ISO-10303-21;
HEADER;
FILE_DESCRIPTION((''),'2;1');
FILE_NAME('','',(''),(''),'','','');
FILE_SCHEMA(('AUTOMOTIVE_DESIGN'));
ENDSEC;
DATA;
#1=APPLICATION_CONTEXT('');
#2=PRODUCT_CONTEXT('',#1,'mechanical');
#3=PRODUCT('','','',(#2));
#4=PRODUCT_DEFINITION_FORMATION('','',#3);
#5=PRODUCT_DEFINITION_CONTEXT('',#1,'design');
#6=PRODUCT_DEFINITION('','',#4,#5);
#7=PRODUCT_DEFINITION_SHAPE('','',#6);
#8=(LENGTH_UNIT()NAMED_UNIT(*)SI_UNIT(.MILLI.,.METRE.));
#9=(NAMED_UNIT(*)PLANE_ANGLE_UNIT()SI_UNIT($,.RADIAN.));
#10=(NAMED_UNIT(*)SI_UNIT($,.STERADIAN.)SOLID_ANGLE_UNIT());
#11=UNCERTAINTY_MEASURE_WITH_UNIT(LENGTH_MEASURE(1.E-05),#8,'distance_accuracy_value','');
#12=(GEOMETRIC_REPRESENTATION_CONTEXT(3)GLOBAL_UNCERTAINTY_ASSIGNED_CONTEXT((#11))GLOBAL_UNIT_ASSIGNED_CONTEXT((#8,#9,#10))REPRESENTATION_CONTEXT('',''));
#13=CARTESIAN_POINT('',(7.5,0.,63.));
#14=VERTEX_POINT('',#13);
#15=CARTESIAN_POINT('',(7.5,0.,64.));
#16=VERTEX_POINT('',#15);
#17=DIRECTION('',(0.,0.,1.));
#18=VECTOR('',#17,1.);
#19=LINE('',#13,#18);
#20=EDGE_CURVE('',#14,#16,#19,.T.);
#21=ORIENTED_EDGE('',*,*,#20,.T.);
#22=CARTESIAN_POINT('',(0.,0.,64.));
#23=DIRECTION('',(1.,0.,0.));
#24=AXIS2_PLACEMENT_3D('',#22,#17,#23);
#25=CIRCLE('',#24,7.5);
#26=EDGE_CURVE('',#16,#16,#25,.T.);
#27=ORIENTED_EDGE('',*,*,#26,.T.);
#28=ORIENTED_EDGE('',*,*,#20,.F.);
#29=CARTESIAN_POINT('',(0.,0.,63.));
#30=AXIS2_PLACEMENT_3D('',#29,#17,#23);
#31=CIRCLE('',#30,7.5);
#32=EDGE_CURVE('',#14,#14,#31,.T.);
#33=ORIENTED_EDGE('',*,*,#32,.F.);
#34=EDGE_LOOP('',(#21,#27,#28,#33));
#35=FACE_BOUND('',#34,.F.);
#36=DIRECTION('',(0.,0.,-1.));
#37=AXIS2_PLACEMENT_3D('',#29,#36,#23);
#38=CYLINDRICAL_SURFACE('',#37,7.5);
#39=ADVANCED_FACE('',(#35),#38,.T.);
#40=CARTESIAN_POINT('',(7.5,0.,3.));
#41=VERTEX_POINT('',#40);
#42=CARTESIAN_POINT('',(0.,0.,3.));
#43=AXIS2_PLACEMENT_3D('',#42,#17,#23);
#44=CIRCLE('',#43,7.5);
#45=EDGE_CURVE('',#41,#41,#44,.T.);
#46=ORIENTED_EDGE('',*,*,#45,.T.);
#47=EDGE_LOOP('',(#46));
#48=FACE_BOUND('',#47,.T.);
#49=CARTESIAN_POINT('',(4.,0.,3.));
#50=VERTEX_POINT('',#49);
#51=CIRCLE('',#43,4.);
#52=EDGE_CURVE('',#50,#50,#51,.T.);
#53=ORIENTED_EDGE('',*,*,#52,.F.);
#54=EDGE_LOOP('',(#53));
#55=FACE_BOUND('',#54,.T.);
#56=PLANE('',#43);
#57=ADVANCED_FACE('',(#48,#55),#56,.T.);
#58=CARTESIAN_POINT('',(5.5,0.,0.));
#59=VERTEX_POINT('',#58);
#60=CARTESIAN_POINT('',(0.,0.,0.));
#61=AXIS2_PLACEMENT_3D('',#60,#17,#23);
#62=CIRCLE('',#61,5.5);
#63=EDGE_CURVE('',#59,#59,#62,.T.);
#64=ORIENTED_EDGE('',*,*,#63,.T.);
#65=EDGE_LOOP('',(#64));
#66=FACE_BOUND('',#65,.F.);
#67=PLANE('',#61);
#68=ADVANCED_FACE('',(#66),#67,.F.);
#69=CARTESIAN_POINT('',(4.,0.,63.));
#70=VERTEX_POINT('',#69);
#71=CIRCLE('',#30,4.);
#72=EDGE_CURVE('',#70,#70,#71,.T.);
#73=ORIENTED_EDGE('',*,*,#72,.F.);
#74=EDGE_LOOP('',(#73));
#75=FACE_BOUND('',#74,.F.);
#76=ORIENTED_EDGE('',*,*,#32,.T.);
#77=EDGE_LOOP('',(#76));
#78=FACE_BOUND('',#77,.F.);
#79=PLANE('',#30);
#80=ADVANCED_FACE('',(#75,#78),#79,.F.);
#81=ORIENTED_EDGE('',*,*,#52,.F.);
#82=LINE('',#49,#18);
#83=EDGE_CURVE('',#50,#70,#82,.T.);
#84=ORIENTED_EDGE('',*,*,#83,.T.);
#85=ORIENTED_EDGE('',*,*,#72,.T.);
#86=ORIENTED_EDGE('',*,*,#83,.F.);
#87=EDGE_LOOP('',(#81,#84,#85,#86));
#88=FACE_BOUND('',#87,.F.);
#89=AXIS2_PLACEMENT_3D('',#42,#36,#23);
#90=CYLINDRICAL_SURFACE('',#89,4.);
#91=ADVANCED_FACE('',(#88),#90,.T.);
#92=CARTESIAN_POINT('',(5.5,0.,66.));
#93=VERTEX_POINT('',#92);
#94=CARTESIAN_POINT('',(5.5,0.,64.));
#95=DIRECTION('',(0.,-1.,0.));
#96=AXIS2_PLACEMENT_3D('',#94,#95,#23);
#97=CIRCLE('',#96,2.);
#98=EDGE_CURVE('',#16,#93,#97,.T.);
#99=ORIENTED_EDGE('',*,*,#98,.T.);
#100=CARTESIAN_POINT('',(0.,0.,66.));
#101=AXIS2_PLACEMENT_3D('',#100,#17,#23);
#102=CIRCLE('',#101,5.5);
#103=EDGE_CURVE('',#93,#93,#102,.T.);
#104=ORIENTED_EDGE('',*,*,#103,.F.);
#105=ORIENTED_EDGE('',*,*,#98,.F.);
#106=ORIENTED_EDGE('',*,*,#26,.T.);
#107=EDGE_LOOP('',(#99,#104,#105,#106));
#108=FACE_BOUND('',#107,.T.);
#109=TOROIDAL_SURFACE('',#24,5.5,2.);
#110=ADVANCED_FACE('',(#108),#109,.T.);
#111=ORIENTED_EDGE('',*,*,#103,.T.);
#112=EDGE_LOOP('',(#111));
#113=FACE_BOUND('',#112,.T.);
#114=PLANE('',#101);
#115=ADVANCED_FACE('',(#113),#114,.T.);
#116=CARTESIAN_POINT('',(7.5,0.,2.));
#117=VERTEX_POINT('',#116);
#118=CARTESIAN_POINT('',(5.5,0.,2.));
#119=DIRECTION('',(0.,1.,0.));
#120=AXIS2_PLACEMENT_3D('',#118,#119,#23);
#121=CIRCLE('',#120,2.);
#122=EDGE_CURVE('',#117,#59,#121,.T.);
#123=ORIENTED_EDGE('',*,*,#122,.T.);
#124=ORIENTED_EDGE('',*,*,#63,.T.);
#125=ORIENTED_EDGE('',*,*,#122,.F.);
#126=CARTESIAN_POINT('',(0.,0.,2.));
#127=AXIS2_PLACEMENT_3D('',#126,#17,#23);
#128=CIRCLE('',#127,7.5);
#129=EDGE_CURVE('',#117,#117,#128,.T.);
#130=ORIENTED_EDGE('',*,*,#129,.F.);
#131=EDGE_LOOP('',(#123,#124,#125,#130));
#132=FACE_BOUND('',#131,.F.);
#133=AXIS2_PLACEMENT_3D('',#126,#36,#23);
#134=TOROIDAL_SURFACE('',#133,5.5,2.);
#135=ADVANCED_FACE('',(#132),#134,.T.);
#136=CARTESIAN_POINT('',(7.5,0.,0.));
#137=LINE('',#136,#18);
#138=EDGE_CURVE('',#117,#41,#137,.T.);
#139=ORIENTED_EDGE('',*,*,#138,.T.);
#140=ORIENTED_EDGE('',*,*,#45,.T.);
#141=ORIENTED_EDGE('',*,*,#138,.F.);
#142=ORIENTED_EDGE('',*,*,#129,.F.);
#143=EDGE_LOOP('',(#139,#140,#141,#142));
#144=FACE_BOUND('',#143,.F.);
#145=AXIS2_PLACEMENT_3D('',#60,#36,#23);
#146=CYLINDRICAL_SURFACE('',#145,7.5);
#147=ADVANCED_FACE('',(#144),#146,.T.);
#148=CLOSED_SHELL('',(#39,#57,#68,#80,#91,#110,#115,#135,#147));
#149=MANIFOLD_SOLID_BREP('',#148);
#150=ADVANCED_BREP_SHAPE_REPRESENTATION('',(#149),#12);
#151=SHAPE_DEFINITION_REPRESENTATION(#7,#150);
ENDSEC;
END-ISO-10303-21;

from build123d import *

# Parameters (mm, degrees)
F0_R     = 7.5
F1_DEPTH = 3
F2_R     = 4
F3_DEPTH = 60
F4_R     = 7.5
F5_DEPTH = 3
F6_R     = 2


with BuildPart() as f1:
    # F0 (on Top) → F1 (new body)
    with BuildSketch(Plane.XY):
        Circle(F0_R)
    extrude(amount=F1_DEPTH)

    # F2 (on face) → F3 (join)
    with BuildSketch(Plane.XY.offset(3)):
        Circle(F2_R)
    extrude(amount=F3_DEPTH)

    # F4 (on face) → F5 (join)
    with BuildSketch(Plane.XY.offset(63)):
        Circle(F4_R)
    extrude(amount=F5_DEPTH)

    # F6
    f6_edges = [f1.edges().sort_by_distance(p)[0] for p in [
        (-7.5, 0, 66),
        (-7.5, 0, 0),
    ]]
    fillet(f6_edges, radius=F6_R)


solid = f1.part
